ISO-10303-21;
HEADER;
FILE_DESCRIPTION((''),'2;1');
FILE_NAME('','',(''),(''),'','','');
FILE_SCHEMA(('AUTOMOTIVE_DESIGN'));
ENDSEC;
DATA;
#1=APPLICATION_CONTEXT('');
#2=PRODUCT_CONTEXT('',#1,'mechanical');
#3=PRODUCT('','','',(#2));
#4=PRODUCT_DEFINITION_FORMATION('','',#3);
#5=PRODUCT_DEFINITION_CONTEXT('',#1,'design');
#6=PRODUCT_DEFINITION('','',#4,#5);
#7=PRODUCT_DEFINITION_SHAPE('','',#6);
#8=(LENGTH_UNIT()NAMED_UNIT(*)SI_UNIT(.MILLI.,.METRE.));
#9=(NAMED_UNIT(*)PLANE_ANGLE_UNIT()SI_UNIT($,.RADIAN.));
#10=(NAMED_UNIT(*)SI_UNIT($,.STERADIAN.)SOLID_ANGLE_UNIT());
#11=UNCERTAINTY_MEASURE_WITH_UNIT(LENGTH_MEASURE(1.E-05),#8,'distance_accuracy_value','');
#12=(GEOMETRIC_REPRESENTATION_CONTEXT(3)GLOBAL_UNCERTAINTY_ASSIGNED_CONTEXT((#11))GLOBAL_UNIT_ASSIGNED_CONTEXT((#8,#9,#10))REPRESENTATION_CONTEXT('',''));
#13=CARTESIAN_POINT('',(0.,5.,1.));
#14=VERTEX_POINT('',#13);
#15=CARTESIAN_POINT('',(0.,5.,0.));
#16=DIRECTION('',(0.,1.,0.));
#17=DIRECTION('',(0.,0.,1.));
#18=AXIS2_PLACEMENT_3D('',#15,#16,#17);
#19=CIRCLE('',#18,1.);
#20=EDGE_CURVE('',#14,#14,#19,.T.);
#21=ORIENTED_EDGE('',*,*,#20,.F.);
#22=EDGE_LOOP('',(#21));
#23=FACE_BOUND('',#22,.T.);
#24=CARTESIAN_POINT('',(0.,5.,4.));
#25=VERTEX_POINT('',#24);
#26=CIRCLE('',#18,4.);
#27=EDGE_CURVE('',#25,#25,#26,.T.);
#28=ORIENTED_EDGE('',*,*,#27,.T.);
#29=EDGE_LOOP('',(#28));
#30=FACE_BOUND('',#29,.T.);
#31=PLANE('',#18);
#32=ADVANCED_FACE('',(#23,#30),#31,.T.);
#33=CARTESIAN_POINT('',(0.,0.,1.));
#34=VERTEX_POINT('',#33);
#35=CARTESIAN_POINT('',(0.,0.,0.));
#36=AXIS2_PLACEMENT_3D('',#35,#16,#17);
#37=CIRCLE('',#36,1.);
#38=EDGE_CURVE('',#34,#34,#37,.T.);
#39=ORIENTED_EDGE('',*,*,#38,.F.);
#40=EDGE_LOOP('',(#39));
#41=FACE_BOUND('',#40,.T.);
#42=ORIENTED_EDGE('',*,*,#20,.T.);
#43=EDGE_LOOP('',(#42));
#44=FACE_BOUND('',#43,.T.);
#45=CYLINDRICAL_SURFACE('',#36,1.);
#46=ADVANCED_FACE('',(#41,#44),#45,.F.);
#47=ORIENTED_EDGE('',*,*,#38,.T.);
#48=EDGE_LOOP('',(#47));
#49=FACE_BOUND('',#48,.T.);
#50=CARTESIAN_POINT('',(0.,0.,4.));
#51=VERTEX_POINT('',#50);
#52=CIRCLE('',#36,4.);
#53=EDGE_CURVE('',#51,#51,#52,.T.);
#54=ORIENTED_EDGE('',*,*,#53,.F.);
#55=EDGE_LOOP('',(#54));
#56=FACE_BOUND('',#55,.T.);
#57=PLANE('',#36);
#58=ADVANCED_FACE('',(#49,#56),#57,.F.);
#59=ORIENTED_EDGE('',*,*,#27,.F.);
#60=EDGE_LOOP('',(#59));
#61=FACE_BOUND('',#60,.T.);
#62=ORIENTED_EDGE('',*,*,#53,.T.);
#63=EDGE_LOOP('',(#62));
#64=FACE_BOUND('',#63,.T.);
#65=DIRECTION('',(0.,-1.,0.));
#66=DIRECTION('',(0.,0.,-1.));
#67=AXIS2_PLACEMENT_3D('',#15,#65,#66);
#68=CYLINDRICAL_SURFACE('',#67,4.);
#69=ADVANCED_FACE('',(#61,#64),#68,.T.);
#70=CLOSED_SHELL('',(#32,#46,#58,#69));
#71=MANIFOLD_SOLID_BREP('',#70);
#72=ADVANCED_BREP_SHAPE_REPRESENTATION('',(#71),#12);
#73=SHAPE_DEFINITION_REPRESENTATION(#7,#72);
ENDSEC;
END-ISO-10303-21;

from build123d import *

# Parameters (mm, degrees)
SKETCH1_R           = 4
BOSS_EXTRUDE1_DEPTH = 5
SKETCH2_R           = 1
CUT_EXTRUDE1_DEPTH  = 5


with BuildPart() as part:
    # Sketch1 → Boss-Extrude1 (new body)
    with BuildSketch(Plane(origin=(0, 0, 0), x_dir=(1, 0, 0), z_dir=(0, 1, 0))):
        with Locations(Location((0, 0, 0), (0, 0, 270))):
            Circle(SKETCH1_R)
    extrude(amount=BOSS_EXTRUDE1_DEPTH)

    # Sketch2 → Cut-Extrude1 (cut)
    with BuildSketch(Plane(origin=(0, 5, 0), x_dir=(1, 0, 0), z_dir=(0, 1, 0))):
        with Locations(Location((0, 0, 0), (0, 0, 270))):
            Circle(SKETCH2_R)
    extrude(amount=-CUT_EXTRUDE1_DEPTH, mode=Mode.SUBTRACT)


solid = part.part
